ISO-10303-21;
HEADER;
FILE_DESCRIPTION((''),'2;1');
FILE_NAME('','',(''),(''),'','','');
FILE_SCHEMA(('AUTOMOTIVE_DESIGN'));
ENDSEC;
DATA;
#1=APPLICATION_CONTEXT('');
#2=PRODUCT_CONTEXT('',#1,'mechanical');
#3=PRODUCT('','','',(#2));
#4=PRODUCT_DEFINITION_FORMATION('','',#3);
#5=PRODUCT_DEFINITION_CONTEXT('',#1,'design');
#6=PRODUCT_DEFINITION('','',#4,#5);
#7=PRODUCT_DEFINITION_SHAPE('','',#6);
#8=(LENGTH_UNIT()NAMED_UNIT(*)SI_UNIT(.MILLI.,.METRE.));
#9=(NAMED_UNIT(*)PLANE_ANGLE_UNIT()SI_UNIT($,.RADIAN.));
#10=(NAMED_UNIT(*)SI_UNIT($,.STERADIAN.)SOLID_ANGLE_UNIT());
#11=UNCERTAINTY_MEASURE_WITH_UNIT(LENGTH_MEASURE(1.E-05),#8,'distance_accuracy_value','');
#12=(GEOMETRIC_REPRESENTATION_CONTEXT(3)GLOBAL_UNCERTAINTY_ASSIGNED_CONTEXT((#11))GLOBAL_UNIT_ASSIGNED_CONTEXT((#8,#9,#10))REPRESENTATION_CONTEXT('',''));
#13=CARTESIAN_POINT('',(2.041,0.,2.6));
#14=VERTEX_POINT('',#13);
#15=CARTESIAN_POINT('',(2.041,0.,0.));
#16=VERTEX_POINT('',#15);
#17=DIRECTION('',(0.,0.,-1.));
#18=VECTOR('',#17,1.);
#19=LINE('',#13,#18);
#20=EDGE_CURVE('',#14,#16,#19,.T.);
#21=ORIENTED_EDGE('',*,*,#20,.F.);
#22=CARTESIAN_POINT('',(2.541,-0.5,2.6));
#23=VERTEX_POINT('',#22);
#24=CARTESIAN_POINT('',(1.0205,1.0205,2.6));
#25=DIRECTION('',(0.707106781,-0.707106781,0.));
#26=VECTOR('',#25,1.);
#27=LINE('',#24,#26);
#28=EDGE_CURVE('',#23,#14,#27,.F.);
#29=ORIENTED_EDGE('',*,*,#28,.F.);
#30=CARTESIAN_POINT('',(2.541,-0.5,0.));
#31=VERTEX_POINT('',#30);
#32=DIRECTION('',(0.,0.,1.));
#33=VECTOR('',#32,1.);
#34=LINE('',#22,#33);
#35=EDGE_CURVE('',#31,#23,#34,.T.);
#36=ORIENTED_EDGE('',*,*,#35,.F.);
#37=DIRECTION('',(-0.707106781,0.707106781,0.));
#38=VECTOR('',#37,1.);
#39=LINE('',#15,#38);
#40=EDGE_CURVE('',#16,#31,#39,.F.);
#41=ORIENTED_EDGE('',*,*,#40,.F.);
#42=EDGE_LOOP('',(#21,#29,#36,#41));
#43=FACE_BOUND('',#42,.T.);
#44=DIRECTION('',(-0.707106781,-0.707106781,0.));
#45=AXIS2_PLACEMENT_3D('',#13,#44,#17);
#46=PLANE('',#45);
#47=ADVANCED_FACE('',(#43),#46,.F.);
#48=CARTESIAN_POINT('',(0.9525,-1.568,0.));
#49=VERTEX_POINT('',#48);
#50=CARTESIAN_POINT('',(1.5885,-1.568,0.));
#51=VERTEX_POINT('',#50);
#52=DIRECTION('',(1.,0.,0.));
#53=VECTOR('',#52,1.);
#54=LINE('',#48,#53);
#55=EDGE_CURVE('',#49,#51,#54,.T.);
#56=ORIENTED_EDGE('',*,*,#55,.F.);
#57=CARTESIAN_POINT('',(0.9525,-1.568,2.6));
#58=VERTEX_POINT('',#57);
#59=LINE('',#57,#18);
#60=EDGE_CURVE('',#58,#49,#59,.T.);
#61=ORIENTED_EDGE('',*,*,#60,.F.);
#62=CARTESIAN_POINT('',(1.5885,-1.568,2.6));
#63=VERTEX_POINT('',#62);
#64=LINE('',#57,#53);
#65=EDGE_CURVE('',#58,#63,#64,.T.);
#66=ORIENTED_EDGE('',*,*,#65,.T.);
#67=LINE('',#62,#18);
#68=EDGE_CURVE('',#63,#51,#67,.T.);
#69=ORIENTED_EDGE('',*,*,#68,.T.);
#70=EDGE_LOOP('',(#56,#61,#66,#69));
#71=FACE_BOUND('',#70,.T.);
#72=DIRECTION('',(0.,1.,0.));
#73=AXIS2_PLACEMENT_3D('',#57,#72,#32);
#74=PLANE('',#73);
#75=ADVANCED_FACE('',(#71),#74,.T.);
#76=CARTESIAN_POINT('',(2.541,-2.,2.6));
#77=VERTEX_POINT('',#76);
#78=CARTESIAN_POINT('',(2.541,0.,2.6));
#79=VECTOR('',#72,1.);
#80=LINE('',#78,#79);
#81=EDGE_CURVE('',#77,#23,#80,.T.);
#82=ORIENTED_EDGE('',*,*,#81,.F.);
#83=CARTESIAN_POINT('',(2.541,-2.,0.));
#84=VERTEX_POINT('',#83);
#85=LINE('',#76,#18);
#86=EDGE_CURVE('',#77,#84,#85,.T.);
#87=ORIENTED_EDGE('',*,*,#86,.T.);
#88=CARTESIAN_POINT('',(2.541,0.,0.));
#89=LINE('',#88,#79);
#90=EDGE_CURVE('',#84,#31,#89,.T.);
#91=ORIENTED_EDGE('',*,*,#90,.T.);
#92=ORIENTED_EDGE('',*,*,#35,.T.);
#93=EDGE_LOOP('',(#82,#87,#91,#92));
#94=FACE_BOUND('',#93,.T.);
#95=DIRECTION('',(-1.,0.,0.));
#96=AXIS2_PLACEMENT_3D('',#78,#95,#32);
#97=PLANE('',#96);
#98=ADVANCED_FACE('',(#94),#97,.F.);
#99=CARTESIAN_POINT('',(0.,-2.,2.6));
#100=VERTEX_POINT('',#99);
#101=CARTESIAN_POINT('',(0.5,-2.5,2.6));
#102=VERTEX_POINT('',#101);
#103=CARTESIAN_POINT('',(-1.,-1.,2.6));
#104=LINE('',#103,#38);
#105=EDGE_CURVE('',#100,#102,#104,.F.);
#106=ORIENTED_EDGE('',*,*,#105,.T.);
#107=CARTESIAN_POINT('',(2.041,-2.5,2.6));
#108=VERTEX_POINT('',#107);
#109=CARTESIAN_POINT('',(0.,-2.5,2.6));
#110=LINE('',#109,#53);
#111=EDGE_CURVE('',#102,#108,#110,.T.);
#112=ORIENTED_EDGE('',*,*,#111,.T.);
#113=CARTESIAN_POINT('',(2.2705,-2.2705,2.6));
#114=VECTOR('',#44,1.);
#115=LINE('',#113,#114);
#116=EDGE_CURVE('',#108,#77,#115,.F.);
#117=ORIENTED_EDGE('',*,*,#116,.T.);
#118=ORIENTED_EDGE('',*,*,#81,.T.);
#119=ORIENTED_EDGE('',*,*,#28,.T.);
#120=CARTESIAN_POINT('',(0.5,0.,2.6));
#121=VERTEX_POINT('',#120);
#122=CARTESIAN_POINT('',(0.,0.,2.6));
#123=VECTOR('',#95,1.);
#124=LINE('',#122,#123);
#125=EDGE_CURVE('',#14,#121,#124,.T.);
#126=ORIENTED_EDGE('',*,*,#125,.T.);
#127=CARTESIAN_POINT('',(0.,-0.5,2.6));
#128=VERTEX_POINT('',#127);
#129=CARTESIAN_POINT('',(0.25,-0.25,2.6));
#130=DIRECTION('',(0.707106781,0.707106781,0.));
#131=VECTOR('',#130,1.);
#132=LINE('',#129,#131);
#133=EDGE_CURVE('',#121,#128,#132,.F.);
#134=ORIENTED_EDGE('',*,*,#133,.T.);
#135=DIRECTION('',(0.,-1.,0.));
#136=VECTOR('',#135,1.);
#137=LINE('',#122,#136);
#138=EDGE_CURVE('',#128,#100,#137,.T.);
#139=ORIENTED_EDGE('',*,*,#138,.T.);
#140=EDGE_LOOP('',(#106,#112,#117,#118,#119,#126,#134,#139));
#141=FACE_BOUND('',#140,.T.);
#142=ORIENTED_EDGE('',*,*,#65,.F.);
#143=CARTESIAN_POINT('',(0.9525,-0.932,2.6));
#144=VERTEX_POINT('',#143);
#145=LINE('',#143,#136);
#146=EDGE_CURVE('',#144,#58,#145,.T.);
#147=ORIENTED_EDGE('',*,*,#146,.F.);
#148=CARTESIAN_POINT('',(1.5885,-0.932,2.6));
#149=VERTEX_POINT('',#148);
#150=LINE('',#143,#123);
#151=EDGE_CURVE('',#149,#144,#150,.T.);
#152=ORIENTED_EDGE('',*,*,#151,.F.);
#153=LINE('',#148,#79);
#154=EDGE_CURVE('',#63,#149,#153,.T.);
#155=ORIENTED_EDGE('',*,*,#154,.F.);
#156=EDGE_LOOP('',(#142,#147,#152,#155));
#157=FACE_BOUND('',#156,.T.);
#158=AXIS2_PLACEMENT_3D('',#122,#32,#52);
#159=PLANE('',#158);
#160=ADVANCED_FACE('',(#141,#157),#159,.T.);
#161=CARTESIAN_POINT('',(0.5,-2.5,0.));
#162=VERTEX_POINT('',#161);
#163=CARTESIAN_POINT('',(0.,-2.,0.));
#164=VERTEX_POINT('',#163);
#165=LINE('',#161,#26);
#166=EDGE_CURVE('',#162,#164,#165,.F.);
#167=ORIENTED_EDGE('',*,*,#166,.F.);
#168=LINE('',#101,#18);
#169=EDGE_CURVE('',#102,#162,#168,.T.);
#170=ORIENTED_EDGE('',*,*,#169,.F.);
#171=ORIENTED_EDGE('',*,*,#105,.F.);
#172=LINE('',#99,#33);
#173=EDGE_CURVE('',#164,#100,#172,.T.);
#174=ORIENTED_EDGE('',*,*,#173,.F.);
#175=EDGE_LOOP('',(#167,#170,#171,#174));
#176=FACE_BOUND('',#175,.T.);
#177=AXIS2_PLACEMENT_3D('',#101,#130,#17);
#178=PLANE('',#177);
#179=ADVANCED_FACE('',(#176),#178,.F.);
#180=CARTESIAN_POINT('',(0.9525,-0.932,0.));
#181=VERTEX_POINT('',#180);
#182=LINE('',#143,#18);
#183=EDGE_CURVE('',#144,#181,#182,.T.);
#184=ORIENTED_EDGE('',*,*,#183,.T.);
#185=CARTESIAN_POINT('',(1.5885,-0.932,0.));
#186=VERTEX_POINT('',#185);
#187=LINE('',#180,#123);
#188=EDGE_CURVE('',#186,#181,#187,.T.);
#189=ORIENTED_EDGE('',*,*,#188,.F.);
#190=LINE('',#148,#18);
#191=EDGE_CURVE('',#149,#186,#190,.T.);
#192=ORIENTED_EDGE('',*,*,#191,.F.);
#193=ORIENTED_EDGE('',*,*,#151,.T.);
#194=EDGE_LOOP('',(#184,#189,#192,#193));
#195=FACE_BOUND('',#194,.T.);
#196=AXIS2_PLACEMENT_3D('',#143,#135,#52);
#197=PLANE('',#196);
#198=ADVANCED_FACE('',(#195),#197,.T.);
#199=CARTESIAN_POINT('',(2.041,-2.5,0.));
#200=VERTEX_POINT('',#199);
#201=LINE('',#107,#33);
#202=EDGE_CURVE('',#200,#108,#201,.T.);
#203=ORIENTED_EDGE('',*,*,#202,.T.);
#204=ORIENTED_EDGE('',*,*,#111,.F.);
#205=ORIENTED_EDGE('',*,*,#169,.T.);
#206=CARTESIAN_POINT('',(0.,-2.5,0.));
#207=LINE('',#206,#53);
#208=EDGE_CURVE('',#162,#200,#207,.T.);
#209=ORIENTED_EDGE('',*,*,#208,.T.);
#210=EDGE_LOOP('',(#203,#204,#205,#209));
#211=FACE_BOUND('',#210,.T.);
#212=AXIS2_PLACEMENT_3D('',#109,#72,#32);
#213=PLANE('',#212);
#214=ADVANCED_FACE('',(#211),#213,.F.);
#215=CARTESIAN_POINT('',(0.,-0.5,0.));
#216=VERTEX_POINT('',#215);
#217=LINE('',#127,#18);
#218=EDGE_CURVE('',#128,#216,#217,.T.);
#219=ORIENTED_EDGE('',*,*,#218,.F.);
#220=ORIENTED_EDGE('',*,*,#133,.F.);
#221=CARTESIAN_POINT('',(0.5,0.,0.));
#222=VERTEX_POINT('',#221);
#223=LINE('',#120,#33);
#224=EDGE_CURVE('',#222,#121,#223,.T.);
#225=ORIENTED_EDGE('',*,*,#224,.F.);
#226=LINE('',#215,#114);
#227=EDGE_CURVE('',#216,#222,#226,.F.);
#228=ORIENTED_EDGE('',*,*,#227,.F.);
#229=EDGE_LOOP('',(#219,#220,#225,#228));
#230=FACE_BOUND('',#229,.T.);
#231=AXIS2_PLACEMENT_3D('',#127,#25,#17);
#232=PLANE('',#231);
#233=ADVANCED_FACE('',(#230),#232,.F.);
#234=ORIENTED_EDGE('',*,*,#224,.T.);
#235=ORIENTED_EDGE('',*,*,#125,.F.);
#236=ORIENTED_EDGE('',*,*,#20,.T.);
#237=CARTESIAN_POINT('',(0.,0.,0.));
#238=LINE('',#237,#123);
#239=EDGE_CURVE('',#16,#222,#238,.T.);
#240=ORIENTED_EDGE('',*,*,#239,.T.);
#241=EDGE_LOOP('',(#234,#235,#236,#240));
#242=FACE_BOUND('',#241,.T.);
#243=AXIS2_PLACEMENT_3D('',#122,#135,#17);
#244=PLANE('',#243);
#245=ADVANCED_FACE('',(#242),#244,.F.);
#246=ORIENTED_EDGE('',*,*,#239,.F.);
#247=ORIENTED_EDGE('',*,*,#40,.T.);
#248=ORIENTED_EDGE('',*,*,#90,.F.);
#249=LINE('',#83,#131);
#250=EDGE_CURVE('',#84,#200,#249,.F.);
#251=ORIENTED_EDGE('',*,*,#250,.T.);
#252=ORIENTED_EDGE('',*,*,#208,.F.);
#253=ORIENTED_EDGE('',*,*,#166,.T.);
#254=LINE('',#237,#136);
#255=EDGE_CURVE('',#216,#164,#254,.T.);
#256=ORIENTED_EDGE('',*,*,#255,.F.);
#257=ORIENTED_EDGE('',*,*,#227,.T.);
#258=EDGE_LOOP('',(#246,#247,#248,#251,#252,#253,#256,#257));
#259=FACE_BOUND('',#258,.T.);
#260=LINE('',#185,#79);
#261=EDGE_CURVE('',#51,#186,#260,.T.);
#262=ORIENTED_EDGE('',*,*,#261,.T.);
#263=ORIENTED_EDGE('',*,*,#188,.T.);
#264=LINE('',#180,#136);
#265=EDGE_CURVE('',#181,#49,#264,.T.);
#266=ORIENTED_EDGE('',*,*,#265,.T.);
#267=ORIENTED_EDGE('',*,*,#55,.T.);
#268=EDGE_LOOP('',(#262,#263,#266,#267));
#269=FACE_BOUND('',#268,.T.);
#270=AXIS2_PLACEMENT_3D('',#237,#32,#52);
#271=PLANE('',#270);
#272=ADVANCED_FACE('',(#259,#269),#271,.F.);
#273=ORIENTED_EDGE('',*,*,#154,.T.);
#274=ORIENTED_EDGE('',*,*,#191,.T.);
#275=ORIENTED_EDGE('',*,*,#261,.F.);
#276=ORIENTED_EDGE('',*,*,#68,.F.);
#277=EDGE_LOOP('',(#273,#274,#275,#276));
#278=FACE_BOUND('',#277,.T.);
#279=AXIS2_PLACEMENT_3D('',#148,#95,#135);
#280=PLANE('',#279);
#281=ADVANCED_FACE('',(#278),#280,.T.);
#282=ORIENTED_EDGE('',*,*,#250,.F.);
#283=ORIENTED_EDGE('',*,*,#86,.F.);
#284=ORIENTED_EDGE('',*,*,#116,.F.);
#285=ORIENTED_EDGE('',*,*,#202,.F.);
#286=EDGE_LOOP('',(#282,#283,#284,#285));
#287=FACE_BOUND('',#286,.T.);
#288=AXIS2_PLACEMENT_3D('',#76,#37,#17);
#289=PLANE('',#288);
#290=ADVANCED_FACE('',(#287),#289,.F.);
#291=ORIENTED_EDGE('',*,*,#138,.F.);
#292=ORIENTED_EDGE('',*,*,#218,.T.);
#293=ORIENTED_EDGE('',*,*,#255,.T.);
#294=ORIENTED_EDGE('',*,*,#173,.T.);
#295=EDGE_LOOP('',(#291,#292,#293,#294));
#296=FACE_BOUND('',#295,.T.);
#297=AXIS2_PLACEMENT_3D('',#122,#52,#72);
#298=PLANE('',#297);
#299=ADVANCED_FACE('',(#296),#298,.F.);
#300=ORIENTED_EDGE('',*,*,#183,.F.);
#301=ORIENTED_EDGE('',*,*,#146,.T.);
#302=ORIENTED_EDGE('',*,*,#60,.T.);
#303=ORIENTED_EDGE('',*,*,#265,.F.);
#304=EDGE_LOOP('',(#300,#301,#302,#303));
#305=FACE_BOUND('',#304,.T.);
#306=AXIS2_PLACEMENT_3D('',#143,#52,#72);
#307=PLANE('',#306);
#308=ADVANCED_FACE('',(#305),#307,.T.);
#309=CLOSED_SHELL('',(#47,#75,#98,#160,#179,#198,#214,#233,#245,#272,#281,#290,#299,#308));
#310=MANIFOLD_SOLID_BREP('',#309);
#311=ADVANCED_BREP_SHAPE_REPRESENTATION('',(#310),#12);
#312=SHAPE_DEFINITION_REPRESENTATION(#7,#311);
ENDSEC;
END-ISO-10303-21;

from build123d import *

# Parameters (mm, degrees)
CROQUIS1_W              = 2.541
CROQUIS1_H              = 2.5
CROQUIS1_W_2            = 0.636
CROQUIS1_H_2            = 0.636
SALIENTE_EXTRUIR2_DEPTH = 2.6
CHAFL_N2_SIZE           = 0.5


with BuildPart() as part:
    # Croquis1 → Saliente-Extruir2 (new body)
    with BuildSketch(Plane.XY):
        with Locations((1.2705, -1.25)):
            Rectangle(CROQUIS1_W, CROQUIS1_H)
        with Locations((1.2705, -1.25)):
            Rectangle(CROQUIS1_W_2, CROQUIS1_H_2, mode=Mode.SUBTRACT)
    extrude(amount=SALIENTE_EXTRUIR2_DEPTH)

    # Chaflán2
    chafl_n2_edges = [part.edges().sort_by_distance(p)[0] for p in [
        (0, 0, 1.3),
        (2.541, 0, 1.3),
        (2.541, -2.5, 1.3),
        (0, -2.5, 1.3),
    ]]
    chamfer(chafl_n2_edges, length=CHAFL_N2_SIZE)


solid = part.part
